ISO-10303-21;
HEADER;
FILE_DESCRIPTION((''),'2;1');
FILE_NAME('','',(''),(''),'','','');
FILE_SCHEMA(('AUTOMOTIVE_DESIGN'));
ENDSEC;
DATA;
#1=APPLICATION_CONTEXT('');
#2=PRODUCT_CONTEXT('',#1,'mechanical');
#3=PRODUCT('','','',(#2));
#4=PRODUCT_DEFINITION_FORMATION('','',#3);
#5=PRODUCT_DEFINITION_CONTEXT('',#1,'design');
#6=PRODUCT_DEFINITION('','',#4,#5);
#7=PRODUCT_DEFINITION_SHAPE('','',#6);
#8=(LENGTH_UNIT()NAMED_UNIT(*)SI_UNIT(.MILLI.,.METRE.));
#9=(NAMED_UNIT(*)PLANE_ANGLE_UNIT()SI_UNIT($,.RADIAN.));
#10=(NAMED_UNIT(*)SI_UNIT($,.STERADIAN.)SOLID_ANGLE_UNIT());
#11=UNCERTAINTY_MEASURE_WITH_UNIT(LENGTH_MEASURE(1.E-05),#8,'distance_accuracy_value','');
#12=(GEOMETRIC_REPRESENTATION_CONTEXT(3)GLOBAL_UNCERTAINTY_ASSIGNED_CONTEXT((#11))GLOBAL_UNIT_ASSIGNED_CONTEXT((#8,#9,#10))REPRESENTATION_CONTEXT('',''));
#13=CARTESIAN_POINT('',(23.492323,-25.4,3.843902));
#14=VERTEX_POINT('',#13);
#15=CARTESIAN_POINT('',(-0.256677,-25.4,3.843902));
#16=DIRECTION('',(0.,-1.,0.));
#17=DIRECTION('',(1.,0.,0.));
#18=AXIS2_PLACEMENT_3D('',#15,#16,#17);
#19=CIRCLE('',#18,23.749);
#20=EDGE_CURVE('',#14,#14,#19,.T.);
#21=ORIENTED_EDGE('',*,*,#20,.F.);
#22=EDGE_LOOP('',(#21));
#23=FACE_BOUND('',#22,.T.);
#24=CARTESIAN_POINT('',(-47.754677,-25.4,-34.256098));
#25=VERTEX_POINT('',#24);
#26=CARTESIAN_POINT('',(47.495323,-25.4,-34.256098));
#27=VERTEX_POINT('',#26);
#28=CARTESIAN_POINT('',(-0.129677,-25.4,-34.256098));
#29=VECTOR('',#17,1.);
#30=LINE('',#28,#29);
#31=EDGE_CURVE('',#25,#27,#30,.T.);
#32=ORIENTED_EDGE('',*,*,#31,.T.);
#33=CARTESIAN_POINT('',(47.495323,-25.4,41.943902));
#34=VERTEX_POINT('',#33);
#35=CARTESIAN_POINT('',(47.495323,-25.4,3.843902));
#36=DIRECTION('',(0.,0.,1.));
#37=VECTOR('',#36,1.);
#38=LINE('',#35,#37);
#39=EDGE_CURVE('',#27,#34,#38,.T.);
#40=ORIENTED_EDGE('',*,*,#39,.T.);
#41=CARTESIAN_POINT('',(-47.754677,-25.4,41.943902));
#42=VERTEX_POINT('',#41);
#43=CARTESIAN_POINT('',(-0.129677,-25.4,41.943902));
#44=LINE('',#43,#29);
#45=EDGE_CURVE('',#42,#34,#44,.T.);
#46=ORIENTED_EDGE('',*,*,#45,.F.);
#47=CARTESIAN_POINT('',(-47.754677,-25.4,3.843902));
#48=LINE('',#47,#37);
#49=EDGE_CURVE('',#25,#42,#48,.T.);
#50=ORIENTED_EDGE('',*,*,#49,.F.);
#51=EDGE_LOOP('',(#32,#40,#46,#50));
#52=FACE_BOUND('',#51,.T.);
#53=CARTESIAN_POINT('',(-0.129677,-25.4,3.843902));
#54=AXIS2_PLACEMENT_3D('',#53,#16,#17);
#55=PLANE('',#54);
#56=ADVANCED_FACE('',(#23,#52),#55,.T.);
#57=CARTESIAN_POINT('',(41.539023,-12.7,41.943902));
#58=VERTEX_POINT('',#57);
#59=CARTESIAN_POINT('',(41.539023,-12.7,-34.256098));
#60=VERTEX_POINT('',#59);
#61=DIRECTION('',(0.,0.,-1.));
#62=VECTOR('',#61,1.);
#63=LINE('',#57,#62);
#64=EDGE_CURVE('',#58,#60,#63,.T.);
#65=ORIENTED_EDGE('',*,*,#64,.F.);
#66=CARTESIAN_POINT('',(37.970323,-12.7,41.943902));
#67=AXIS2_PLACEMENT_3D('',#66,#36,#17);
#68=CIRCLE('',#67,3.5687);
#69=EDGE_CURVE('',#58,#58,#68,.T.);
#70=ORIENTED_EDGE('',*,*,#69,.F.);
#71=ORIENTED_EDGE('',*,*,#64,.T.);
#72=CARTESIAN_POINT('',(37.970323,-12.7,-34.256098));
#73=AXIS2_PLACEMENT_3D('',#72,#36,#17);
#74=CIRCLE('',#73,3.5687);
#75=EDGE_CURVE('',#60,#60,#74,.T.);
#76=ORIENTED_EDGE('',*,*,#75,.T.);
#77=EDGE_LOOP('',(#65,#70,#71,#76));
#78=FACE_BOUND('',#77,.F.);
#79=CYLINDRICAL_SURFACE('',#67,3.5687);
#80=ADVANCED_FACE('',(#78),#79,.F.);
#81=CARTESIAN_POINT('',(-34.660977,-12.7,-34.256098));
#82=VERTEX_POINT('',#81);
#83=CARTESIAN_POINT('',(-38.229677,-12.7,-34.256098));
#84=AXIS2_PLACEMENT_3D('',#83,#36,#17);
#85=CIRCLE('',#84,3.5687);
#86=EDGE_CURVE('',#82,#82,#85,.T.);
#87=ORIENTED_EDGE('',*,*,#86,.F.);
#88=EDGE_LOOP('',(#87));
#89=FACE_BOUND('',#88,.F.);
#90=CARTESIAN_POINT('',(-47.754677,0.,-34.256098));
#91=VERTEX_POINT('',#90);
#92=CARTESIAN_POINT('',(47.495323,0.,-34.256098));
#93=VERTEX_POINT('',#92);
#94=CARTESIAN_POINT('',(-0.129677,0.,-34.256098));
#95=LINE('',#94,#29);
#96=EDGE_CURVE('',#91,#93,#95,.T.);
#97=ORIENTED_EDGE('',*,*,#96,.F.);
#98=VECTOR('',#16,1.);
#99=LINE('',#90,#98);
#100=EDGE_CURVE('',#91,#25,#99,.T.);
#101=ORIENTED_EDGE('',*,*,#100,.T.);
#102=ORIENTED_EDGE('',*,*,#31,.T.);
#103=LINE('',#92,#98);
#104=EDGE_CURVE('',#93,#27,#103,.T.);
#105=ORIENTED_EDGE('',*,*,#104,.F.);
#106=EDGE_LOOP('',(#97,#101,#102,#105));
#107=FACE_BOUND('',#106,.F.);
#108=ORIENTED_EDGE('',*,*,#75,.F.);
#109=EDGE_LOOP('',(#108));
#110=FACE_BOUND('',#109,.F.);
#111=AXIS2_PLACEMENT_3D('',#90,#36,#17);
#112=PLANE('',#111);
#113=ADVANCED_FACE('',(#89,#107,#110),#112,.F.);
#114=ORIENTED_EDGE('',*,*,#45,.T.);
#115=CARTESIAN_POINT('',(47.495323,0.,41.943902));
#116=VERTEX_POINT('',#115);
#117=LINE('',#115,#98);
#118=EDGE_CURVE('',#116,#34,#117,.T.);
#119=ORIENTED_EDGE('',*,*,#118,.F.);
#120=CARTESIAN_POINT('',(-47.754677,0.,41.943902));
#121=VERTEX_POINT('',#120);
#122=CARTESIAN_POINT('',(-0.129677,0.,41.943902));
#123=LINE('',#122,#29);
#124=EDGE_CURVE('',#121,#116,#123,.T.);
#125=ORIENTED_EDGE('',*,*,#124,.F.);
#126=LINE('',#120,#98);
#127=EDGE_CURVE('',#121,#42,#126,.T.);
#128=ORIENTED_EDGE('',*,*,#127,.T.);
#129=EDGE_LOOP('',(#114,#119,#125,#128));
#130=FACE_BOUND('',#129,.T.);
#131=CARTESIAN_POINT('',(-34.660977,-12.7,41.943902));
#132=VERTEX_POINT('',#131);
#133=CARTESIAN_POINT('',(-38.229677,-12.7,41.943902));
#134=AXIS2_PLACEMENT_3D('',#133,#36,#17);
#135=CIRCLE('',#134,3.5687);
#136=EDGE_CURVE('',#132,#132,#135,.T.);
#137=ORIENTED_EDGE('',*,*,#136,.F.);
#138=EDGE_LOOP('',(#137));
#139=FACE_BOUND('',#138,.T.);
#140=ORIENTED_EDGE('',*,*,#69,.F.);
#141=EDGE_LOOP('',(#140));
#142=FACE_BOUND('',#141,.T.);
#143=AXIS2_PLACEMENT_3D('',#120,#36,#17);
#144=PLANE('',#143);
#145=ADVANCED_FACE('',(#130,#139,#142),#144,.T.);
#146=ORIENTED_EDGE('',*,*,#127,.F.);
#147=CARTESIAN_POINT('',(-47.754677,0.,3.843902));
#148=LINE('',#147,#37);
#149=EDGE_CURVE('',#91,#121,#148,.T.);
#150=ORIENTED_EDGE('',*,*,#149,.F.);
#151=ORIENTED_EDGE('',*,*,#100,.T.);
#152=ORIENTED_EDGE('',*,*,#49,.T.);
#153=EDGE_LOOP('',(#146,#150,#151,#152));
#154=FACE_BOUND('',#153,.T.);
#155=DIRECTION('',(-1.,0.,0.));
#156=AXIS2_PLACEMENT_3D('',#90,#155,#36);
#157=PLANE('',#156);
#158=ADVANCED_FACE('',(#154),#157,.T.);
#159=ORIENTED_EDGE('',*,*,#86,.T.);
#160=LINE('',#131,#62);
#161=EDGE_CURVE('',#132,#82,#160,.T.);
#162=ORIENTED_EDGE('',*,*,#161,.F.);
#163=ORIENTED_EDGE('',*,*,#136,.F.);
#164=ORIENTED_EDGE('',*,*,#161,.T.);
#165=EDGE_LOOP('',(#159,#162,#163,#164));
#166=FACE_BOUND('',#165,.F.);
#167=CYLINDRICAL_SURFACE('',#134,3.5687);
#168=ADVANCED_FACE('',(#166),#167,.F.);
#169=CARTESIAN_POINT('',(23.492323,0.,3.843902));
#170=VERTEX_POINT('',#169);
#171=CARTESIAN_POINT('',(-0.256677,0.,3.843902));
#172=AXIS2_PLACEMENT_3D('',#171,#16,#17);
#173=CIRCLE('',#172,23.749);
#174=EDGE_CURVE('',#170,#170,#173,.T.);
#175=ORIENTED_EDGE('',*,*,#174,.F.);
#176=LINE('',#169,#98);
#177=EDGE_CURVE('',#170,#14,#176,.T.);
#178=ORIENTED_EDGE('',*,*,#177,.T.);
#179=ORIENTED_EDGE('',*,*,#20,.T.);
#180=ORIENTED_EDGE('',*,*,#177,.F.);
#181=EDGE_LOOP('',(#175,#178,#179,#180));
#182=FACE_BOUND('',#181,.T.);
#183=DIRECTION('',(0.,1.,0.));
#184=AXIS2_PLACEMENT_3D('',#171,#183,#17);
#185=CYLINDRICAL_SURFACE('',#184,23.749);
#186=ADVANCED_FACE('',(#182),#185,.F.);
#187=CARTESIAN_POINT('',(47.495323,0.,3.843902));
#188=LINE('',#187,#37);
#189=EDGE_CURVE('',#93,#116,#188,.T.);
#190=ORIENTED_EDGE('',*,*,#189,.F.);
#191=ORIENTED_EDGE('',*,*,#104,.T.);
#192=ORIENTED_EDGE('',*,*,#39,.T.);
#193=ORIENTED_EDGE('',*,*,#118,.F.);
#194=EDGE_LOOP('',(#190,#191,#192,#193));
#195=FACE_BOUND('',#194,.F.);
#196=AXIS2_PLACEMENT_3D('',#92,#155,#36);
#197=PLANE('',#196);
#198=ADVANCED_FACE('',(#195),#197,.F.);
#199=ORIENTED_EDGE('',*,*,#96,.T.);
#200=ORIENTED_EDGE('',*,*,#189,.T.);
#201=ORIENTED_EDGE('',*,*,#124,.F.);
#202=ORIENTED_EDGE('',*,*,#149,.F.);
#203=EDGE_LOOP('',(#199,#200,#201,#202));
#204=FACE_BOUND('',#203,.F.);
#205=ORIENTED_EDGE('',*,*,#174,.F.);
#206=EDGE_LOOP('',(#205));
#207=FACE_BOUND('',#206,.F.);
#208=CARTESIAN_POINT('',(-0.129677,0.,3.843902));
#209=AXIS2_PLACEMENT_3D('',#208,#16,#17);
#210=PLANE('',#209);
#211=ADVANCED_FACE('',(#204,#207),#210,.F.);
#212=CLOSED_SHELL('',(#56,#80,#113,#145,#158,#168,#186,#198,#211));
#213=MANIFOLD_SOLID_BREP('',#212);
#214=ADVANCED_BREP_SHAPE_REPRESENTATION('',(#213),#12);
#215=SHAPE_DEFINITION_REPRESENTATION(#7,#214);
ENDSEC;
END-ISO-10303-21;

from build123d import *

# Parameters (mm, degrees)
F0_W     = 95.25
F0_H     = 76.2
F0_R     = 23.749
F1_DEPTH = 25.4
F2_R     = 3.5687
F3_DEPTH = 76.201


with BuildPart() as f1:
    # F0 (on Front) → F1 (new body)
    with BuildSketch(Plane.XZ):
        with Locations((-0.129677, 3.843902)):
            Rectangle(F0_W, F0_H)
        with Locations((-0.256677, 3.843902)):
            Circle(F0_R, mode=Mode.SUBTRACT)
    extrude(amount=F1_DEPTH)

    # F2 (on face) → F3 (cut, through all)
    with BuildSketch(Plane.XY.offset(41.943902)):
        with Locations((-38.229677, -12.7)):
            Circle(F2_R)
        with Locations((37.970323, -12.7)):
            Circle(F2_R)
    extrude(amount=-F3_DEPTH, mode=Mode.SUBTRACT)


solid = f1.part
